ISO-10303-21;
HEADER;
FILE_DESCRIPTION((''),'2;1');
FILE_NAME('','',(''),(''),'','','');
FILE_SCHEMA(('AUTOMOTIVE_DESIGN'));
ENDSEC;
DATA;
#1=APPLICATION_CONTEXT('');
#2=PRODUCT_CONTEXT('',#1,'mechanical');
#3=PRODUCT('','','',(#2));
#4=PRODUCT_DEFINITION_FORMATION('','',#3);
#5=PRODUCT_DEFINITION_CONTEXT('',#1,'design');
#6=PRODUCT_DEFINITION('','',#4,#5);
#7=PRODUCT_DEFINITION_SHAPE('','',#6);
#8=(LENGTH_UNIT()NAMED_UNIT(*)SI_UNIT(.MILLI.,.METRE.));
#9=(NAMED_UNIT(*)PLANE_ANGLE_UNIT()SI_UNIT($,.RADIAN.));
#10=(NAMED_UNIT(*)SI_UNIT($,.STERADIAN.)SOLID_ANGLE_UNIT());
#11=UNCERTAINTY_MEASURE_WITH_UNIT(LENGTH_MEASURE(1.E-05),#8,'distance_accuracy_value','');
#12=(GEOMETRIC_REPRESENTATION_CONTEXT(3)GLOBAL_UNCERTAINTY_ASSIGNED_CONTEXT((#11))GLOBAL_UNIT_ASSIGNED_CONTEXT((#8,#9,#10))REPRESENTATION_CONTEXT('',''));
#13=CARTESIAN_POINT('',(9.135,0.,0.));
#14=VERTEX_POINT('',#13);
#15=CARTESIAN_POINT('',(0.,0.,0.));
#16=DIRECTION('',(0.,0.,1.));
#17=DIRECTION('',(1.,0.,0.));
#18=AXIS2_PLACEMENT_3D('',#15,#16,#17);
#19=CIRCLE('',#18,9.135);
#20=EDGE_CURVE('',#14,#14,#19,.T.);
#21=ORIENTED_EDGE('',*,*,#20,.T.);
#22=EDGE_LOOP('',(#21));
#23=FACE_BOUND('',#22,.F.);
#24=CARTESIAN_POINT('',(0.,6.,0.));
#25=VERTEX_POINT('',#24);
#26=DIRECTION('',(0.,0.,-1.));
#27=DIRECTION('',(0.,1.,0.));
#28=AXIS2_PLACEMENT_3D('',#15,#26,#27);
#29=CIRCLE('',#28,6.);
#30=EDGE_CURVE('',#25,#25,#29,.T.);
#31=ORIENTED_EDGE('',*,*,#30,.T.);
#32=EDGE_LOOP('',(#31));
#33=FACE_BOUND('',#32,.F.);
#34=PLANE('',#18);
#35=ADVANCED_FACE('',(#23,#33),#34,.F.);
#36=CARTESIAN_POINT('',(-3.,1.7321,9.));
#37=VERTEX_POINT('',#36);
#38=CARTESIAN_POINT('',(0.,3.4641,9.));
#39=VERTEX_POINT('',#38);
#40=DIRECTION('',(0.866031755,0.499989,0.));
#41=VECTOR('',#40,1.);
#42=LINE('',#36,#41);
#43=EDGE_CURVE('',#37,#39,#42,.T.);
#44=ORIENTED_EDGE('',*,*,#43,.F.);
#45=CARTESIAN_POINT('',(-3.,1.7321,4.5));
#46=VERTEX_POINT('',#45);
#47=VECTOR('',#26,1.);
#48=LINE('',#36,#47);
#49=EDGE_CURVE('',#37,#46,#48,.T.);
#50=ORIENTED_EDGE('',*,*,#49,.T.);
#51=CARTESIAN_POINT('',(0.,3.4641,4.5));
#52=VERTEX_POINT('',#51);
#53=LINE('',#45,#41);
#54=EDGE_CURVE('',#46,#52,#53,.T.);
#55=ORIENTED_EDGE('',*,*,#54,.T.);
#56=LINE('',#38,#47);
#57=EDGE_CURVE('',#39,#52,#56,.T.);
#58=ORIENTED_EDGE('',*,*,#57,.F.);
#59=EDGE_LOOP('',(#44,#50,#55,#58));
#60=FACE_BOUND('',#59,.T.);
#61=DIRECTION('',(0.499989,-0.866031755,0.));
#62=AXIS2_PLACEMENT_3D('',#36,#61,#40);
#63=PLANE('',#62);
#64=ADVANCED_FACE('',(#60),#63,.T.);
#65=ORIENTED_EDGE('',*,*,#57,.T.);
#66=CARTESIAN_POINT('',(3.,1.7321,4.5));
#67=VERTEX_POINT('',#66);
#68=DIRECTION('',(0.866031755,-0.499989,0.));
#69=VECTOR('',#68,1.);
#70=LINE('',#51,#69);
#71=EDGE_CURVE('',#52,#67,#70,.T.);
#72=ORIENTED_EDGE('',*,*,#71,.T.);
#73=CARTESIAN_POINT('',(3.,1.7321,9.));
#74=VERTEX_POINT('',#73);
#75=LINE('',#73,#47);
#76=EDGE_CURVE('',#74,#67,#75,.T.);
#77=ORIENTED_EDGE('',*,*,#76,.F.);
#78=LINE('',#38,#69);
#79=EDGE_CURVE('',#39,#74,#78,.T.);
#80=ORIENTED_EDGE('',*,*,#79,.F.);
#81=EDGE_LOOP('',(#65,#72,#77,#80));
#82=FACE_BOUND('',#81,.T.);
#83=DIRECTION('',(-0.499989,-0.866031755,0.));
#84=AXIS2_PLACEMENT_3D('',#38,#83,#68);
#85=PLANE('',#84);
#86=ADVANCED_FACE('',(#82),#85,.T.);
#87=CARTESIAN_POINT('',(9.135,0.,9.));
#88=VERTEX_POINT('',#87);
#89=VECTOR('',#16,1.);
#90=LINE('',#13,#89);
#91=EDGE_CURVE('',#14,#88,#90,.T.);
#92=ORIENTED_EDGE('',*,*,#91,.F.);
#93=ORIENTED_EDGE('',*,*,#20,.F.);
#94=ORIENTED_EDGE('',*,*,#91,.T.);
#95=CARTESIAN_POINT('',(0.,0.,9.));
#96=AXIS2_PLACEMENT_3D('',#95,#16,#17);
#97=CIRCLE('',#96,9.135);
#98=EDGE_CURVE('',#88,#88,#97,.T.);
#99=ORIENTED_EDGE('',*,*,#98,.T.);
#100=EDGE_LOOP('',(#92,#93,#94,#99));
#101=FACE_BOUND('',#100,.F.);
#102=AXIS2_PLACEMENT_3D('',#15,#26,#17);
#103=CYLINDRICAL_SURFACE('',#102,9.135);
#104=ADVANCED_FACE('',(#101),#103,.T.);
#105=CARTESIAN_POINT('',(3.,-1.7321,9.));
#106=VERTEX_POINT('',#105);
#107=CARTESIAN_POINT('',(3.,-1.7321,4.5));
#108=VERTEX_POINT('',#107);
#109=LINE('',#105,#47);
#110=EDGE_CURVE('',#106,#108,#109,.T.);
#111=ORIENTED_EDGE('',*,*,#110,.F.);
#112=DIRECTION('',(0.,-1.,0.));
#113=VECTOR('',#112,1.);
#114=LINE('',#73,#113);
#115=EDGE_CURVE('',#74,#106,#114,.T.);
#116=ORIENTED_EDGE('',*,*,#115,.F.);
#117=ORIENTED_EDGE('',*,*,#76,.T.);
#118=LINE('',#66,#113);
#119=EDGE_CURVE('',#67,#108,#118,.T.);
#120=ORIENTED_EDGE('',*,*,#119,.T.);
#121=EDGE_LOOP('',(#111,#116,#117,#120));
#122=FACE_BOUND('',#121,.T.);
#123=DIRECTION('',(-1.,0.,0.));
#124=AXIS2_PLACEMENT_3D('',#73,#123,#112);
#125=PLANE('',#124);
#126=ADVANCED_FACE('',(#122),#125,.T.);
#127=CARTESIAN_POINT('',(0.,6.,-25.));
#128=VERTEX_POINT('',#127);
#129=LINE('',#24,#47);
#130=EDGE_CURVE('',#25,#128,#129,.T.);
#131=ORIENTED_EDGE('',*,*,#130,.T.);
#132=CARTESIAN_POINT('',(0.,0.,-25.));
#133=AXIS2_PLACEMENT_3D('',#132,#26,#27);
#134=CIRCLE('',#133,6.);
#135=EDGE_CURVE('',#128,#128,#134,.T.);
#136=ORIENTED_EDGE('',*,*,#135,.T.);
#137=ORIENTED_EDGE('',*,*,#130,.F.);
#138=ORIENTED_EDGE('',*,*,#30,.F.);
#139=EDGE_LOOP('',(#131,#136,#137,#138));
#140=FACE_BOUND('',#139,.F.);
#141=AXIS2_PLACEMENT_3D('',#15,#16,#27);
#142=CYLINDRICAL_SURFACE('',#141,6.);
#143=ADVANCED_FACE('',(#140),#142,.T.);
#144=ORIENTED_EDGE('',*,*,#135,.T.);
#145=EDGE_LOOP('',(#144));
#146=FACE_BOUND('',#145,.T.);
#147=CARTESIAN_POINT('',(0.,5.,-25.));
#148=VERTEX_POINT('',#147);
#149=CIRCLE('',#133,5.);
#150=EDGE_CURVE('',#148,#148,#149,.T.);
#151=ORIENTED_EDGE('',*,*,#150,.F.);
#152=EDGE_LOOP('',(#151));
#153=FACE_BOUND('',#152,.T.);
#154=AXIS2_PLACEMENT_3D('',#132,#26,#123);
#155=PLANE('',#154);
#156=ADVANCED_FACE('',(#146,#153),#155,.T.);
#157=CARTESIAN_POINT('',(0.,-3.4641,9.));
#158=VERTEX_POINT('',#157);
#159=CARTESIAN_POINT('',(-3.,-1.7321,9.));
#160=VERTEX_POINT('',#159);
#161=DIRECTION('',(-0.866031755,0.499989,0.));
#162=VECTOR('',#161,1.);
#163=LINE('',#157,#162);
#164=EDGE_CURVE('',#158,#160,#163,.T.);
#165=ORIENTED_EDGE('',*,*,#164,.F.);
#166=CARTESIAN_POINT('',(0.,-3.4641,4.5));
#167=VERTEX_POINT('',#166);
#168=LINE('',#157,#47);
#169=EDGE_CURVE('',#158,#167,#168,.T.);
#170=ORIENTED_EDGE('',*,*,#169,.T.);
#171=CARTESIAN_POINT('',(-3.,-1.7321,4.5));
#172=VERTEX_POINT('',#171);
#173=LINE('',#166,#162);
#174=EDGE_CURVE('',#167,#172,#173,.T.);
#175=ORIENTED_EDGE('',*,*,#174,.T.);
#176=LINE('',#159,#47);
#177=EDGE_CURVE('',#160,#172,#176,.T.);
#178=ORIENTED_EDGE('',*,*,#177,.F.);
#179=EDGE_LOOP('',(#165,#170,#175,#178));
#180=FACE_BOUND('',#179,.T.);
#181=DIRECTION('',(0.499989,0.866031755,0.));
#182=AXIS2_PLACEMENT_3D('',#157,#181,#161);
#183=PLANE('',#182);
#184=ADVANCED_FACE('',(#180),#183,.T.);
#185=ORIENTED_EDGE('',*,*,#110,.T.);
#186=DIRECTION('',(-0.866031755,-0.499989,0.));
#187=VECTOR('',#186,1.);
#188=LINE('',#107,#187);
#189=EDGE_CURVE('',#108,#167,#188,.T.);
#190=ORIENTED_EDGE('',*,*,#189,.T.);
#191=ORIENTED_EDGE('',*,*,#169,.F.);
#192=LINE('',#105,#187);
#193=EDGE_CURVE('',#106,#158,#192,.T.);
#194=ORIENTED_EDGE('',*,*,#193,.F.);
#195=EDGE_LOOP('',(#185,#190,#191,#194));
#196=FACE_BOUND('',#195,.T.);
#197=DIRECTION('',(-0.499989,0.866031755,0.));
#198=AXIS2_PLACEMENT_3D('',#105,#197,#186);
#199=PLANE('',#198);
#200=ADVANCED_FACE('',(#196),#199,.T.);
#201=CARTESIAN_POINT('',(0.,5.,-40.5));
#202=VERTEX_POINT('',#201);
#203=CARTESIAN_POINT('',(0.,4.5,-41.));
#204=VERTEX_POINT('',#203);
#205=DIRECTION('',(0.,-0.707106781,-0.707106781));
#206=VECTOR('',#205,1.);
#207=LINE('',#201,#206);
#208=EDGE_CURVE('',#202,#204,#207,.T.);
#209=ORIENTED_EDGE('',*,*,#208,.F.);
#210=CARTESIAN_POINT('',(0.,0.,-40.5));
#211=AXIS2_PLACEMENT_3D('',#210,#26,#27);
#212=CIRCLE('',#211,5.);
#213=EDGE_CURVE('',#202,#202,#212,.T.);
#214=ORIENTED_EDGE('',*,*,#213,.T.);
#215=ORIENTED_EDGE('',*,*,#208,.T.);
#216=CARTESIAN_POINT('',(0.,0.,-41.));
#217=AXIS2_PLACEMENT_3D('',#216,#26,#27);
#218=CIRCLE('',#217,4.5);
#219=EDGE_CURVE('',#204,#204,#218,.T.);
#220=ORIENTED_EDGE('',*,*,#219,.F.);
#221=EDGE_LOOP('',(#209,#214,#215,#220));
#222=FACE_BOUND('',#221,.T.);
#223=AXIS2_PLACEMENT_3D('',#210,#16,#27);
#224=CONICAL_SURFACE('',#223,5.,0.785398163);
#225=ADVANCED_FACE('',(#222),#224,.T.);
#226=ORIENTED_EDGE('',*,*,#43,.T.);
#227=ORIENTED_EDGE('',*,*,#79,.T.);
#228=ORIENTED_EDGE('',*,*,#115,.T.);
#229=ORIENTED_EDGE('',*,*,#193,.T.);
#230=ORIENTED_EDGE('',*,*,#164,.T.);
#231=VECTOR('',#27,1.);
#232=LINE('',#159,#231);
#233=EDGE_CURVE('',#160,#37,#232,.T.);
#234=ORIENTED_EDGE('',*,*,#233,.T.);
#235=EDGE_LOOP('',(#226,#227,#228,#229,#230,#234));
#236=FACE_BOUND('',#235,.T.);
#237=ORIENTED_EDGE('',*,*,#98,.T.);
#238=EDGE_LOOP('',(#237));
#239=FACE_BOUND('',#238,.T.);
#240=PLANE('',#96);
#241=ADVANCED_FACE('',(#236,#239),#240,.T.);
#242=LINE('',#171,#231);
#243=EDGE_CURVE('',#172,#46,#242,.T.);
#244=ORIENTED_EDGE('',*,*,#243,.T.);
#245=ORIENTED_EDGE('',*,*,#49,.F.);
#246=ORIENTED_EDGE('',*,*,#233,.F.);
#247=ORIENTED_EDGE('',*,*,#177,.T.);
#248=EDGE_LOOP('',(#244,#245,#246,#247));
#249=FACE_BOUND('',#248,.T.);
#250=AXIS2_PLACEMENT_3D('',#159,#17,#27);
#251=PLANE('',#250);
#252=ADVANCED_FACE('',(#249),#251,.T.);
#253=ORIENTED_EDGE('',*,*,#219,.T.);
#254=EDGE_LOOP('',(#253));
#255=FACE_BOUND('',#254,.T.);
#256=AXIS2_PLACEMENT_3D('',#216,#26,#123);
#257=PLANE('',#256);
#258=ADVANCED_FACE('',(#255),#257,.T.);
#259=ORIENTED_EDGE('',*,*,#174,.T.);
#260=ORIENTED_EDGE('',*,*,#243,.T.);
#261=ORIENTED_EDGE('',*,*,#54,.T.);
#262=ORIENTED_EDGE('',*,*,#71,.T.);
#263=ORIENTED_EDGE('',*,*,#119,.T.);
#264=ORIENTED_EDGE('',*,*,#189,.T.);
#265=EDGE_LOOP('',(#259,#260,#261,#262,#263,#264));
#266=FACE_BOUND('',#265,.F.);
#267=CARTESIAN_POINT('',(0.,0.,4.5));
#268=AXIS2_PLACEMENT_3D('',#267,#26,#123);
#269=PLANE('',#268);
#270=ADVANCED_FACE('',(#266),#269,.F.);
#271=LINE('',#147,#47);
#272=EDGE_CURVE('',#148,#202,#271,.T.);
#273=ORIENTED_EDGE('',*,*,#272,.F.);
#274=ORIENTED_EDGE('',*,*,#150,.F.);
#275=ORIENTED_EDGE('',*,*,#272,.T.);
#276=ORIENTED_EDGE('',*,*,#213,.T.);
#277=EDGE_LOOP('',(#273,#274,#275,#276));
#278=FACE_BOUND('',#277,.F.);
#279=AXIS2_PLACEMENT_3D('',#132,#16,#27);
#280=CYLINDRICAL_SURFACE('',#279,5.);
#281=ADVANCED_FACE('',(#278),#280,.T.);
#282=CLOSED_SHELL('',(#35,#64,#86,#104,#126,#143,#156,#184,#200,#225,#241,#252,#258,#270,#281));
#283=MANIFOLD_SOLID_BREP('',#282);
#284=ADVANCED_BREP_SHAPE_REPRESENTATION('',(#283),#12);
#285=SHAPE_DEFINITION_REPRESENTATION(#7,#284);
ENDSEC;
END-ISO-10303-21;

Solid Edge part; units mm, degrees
sketch "Sketch1" plane through (0, 0, 0) normal (0, 0, 1) x (1, 0, 0)
  circle A0 centre (0, 0) radius 9.135
  dimension "D1" = 18.27
extrude "Protrusion1" add sketch "Sketch1" along normal blind 9
sketch "Sketch2" plane through (0, 0, 9) normal (0, 0, 1) x (1, 0, 0)
  line L0 (0, -3.4641) -> (-3, -1.7321)
  line L1 (-3, -1.7321) -> (-3, 1.7321)
  line L2 (-3, 1.7321) -> (0, 3.4641)
  line L3 (0, 3.4641) -> (3, 1.7321)
  line L4 (3, 1.7321) -> (3, -1.7321)
  line L5 (3, -1.7321) -> (0, -3.4641)
  dimension "D1" = 6
extrude "Cutout1" cut sketch "Sketch2" against normal blind 4.5
sketch "Sketch3" plane through (0, 0, 0) normal (0, 0, -1) x (0, 1, 0)
  circle A0 centre (0, 0) radius 6
  dimension "D1" = 12
extrude "Protrusion2" add sketch "Sketch3" along normal blind 25
sketch "Sketch4" plane through (0, 0, -25) normal (0, 0, -1) x (0, 1, 0)
  circle A0 centre (0, 0) radius 5
  dimension "D1" = 10
extrude "Protrusion3" add sketch "Sketch4" along normal blind 16
chamfer "Chamfer1" distance 0.5 angle 45 1 edges at (0, -5, -41)
properties part number "142603"
